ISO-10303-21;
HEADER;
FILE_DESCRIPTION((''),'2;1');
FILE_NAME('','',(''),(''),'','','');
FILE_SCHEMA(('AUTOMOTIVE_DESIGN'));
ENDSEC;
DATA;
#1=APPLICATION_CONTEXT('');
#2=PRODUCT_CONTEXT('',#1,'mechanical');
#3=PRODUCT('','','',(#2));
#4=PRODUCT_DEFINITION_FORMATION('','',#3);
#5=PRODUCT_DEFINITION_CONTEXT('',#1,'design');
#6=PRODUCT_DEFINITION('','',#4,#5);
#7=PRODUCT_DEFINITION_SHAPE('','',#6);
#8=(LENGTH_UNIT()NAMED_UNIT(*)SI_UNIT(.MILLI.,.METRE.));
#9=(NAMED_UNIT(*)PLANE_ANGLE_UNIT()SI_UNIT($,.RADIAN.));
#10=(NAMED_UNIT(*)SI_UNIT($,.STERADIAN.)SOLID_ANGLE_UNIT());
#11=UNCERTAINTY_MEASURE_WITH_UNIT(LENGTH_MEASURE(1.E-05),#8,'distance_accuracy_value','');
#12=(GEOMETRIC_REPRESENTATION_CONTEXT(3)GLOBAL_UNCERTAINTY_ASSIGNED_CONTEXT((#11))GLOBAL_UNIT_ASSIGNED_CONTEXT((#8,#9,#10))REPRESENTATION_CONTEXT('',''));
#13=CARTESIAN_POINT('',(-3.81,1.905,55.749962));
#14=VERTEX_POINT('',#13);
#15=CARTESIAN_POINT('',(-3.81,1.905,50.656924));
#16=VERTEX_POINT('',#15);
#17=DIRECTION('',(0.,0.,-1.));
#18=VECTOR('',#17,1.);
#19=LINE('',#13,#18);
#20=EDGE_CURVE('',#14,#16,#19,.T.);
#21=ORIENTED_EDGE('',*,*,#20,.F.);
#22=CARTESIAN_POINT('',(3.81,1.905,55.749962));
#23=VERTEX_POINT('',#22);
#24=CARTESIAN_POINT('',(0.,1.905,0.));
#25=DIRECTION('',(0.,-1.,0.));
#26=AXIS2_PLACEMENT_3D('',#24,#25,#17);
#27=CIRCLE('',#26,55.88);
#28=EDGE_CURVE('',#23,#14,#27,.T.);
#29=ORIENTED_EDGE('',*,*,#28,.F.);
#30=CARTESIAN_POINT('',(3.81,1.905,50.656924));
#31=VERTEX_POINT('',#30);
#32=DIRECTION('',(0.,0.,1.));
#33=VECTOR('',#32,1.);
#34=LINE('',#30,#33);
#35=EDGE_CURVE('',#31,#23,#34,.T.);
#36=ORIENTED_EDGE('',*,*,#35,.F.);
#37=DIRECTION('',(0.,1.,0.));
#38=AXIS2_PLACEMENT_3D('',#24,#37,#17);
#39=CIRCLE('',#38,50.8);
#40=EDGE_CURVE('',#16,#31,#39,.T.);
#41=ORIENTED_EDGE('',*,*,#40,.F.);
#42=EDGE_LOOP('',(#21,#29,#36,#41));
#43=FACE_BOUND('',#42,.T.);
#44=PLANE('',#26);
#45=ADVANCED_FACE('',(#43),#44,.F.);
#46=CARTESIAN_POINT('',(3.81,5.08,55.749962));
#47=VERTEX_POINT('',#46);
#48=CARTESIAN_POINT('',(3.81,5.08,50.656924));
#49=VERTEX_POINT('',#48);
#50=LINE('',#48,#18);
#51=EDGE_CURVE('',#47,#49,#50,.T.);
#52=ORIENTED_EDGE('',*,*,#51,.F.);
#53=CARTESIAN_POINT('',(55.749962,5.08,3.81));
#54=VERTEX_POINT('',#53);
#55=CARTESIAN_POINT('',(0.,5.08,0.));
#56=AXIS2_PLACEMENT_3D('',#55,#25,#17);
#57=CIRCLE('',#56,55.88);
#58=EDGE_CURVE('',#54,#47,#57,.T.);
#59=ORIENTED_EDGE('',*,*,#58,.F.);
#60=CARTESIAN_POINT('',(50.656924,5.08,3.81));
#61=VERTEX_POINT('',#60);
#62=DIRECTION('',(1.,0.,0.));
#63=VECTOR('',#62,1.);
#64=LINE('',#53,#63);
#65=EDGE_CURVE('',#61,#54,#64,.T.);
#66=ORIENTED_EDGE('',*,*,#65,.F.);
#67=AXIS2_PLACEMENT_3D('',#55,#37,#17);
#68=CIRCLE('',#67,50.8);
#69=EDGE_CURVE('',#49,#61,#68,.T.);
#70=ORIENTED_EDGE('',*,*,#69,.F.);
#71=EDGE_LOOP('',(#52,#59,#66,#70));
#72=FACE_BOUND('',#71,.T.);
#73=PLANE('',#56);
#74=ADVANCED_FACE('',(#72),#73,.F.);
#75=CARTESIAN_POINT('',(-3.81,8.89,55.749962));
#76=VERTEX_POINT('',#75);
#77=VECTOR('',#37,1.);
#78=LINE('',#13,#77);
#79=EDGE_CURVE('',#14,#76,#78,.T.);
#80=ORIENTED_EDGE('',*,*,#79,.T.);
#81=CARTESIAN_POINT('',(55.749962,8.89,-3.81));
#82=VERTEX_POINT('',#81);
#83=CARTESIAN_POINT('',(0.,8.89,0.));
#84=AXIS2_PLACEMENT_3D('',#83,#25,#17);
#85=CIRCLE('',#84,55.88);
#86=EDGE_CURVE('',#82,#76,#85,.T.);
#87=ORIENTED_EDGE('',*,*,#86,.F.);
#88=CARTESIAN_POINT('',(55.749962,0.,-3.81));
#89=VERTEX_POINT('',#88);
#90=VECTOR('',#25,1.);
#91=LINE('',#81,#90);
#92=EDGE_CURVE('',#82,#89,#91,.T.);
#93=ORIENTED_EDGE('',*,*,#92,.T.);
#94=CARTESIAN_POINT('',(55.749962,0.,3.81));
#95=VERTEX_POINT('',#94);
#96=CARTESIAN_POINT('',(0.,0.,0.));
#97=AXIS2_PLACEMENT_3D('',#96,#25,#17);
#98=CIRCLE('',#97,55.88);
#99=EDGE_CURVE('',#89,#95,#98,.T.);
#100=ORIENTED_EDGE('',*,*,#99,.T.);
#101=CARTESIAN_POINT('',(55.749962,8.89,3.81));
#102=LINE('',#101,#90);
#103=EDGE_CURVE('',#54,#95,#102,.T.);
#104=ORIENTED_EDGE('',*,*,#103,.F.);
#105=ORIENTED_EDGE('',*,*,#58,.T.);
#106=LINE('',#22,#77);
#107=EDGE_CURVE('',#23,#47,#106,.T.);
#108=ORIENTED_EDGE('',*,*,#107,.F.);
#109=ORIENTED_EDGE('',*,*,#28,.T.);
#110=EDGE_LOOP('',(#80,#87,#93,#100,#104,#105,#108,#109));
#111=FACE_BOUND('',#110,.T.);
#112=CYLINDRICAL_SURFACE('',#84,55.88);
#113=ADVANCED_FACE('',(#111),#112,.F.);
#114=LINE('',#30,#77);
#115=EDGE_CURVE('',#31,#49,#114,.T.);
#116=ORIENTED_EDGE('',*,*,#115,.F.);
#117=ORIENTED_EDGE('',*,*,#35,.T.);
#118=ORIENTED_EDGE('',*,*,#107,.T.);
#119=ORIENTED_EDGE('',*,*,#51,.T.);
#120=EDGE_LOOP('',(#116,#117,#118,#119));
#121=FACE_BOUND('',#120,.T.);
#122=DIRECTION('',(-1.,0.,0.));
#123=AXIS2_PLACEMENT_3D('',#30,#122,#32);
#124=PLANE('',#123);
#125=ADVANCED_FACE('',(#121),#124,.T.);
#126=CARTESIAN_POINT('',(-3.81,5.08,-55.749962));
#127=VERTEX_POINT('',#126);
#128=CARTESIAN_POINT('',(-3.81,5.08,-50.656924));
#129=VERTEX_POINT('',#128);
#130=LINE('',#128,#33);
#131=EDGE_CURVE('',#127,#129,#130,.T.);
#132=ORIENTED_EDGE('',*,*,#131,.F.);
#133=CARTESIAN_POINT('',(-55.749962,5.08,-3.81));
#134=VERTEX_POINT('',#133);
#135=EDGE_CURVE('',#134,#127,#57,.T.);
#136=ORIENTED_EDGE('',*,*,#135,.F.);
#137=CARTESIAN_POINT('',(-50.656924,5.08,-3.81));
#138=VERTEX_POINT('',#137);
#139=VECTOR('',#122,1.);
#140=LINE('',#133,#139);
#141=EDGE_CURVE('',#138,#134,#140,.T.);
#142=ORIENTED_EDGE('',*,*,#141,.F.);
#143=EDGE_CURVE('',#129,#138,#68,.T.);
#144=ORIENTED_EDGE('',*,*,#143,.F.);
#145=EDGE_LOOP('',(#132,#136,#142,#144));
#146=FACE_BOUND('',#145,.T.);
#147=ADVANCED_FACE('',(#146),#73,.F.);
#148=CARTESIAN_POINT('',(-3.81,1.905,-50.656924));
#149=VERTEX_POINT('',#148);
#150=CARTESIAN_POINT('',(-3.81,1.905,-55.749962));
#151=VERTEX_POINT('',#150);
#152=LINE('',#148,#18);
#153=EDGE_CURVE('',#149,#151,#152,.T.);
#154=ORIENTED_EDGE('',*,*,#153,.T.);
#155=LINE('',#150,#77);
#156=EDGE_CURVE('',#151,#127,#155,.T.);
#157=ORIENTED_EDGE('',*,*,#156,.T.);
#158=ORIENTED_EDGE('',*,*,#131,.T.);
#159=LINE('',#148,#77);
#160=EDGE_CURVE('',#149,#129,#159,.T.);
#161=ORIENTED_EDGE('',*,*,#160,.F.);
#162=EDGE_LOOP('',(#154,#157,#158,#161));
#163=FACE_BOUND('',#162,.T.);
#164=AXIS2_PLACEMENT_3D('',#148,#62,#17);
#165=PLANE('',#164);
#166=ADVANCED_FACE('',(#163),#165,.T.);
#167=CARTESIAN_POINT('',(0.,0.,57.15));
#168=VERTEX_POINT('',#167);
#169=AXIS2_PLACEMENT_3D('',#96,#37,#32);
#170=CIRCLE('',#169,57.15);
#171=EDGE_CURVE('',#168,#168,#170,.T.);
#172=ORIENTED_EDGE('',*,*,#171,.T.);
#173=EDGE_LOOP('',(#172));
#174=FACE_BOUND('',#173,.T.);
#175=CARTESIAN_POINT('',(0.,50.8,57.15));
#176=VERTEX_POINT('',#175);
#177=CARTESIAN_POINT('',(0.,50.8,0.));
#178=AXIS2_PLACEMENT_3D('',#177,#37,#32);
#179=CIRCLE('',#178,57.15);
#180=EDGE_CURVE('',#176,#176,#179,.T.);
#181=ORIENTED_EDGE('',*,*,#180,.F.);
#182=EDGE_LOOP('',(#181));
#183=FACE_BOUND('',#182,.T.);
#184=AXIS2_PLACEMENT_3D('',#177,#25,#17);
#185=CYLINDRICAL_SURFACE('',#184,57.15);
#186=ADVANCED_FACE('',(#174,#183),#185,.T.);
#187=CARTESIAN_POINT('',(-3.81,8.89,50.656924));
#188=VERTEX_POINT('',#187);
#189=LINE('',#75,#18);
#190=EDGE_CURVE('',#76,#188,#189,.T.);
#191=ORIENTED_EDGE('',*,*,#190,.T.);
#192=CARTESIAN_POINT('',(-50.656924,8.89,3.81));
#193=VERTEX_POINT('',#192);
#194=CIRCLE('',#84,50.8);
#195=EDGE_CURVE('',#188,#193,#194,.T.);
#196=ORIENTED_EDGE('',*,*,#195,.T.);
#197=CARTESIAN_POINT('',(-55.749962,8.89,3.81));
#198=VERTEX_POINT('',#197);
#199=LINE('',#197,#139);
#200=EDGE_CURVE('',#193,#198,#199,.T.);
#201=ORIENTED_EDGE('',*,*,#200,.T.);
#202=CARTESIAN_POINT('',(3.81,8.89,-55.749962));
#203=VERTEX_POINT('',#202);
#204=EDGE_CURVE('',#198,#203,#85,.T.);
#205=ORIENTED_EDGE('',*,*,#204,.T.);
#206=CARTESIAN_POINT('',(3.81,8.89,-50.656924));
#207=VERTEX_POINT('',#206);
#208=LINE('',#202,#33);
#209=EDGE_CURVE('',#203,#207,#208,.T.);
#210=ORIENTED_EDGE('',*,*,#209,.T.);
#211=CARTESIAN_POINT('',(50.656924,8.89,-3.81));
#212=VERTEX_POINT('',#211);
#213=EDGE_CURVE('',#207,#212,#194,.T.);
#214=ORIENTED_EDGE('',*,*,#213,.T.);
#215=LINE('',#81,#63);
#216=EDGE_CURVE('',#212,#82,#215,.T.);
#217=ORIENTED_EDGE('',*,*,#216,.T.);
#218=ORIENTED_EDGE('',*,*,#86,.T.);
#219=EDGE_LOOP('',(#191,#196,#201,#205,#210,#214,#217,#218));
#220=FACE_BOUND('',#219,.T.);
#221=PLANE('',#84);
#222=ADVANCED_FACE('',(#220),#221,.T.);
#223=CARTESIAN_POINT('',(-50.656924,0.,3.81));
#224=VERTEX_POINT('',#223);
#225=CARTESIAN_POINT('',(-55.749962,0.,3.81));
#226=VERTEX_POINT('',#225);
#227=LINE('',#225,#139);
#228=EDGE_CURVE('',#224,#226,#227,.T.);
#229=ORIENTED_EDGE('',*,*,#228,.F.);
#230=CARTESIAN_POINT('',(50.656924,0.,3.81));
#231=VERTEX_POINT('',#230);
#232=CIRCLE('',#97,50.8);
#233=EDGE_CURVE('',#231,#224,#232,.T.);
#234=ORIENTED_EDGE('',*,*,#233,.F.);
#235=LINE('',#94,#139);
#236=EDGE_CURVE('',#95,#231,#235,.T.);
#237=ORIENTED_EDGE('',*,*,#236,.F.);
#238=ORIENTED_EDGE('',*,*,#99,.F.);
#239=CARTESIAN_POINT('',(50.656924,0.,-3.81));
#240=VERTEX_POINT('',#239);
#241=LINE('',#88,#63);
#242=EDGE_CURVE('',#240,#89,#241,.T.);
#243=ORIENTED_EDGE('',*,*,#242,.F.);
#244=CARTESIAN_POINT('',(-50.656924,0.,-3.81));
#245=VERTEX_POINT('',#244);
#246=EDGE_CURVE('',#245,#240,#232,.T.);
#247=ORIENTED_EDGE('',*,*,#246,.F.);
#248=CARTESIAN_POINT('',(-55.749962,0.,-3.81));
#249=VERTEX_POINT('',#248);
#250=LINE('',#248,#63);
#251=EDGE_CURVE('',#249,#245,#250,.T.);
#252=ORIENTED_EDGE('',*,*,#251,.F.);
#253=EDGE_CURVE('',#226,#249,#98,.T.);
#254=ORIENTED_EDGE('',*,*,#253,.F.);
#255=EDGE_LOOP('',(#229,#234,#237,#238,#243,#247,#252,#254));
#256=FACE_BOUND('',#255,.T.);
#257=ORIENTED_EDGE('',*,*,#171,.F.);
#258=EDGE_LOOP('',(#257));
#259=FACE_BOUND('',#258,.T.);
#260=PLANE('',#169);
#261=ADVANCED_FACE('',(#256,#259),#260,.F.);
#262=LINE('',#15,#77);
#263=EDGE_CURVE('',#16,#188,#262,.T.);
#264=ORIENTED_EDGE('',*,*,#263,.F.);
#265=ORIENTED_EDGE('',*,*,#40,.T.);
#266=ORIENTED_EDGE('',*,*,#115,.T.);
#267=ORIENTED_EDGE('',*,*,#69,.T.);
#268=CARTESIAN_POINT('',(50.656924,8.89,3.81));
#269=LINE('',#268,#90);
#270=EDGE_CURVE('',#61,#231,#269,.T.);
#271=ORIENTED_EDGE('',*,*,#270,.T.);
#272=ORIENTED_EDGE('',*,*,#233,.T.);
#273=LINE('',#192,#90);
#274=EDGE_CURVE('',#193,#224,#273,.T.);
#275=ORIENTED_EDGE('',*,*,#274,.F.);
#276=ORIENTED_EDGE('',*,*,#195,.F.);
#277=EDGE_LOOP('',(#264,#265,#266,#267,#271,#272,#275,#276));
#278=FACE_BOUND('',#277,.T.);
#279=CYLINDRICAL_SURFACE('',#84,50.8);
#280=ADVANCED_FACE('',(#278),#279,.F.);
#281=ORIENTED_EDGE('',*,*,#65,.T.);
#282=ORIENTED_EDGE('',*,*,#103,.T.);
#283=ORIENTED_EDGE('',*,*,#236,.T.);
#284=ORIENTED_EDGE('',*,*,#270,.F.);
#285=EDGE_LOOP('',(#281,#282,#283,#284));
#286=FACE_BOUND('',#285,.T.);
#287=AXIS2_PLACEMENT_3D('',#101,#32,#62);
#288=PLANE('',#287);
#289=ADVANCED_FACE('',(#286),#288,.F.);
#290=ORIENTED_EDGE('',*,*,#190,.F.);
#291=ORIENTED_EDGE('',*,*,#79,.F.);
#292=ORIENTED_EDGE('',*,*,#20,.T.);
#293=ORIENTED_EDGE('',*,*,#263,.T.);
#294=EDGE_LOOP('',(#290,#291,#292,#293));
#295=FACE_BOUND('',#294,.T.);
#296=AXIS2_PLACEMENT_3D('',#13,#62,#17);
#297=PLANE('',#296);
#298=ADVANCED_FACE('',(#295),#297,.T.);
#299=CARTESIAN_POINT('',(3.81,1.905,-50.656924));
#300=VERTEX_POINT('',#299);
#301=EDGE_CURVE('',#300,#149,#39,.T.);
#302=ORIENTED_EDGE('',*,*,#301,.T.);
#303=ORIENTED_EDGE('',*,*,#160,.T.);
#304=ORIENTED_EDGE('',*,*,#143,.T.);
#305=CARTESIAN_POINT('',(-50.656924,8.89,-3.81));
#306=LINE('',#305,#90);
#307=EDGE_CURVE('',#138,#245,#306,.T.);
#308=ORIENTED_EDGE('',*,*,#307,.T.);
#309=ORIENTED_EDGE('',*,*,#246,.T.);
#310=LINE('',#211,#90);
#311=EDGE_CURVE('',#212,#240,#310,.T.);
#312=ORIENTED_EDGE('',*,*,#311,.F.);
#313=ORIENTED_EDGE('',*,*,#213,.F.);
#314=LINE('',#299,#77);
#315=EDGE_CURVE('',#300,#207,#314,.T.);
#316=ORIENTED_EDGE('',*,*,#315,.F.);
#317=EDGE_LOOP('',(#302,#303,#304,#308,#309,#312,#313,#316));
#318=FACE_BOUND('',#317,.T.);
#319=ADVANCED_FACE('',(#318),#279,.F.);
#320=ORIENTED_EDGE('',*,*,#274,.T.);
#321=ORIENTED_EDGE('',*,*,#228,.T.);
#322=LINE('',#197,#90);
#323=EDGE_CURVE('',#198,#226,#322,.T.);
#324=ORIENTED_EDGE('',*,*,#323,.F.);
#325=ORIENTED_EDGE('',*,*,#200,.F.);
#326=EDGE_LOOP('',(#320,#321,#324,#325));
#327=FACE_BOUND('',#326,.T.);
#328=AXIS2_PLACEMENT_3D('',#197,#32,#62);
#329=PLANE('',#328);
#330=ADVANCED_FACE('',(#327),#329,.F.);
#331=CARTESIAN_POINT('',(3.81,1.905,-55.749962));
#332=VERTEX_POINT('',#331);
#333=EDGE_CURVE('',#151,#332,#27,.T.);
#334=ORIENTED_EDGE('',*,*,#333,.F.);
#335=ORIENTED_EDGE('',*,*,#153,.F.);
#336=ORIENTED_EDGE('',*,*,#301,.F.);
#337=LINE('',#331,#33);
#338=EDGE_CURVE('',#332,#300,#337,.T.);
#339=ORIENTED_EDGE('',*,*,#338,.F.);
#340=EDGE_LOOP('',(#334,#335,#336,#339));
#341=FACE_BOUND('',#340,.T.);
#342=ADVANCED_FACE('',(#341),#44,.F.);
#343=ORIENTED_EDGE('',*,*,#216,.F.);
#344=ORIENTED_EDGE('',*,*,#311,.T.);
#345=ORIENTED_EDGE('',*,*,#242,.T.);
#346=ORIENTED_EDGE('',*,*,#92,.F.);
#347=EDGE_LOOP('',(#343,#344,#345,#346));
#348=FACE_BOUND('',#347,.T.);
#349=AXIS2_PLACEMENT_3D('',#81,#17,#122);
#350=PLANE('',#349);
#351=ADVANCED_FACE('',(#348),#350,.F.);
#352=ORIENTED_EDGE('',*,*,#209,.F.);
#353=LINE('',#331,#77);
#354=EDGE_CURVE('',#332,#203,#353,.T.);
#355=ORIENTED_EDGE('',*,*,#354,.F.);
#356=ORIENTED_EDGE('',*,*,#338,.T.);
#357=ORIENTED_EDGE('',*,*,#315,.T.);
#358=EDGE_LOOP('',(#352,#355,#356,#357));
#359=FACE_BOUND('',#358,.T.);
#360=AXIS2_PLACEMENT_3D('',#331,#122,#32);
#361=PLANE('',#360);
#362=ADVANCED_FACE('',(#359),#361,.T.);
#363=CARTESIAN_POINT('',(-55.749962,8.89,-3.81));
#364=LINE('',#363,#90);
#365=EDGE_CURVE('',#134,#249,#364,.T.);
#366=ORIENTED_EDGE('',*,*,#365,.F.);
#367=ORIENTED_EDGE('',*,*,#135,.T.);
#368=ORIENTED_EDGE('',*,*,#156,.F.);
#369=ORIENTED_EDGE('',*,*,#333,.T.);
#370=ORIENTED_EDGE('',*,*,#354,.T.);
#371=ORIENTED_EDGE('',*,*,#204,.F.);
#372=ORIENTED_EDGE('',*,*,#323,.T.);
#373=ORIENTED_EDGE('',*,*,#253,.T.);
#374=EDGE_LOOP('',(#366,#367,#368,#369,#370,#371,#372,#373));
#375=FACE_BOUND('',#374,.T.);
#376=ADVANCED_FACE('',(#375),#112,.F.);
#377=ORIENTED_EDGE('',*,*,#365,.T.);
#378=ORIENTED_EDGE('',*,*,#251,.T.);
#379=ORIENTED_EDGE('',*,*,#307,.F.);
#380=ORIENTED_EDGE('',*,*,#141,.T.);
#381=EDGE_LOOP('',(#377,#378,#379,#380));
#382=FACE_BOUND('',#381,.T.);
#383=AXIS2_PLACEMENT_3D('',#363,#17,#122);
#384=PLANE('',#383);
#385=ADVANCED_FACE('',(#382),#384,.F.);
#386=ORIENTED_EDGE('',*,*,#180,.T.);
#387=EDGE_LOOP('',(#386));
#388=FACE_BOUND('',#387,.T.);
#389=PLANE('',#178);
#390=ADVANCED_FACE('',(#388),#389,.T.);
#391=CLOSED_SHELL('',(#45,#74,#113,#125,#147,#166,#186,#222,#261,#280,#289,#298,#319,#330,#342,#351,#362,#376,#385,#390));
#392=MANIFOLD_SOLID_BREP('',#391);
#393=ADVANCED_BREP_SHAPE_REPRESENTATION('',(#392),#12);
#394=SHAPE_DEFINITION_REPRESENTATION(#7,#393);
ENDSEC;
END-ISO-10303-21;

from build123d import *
from build123d.topology import SkipClean

# Parameters (mm, degrees)
SKETCH1_R           = 57.15
BOSS_EXTRUDE1_DEPTH = 50.8
CUT_EXTRUDE1_DEPTH  = 8.89
CUT_EXTRUDE3_START  = 6.985
CUT_EXTRUDE3_DEPTH  = 6.985
CUT_EXTRUDE5_START  = 3.81
CUT_EXTRUDE5_DEPTH  = 3.81


with BuildPart() as part:
    # Sketch1 → Boss-Extrude1 (new body)
    with BuildSketch(Plane(origin=(0, 0, 0), x_dir=(1, 0, 0), z_dir=(0, 1, 0))):
        with Locations(Location((0, 0, 0), (0, 0, 270))):
            Circle(SKETCH1_R)
    extrude(amount=BOSS_EXTRUDE1_DEPTH)

    # Sketch2 → Cut-Extrude1 (cut)
    with BuildSketch(Plane.XZ):
        with BuildLine():
            Line((55.749962332, 3.81), (50.656923515, 3.81))
            ThreePointArc((50.656923515, 3.81), (0, 50.8), (-50.656923515, 3.81))
            Line((-50.656923515, 3.81), (-55.749962332, 3.81))
            ThreePointArc((-55.749962332, 3.81), (-55.88, 0), (-55.749962332, -3.81))
            Line((-55.749962332, -3.81), (-50.656923515, -3.81))
            ThreePointArc((-50.656923515, -3.81), (0, -50.8), (50.656923515, -3.81))
            Line((50.656923515, -3.81), (55.749962332, -3.81))
            ThreePointArc((55.749962332, -3.81), (55.88, 0), (55.749962332, 3.81))
        make_face()
    extrude(amount=-CUT_EXTRUDE1_DEPTH, mode=Mode.SUBTRACT)

    # Sketch3 → Cut-Extrude3 (cut)
    with BuildSketch(Plane.XZ.offset(-8.89).offset(CUT_EXTRUDE3_START)):
        with BuildLine():
            Line((3.81, -55.749962332), (3.81, -50.656923515))
            ThreePointArc((3.81, -50.656923515), (0, -50.8), (-3.81, -50.656923515))
            Line((-3.81, -50.656923515), (-3.81, -55.749962332))
            ThreePointArc((-3.81, -55.749962332), (0, -55.88), (3.81, -55.749962332))
        make_face()
        with BuildLine():
            Line((-3.81, 55.749962332), (-3.81, 50.656923515))
            ThreePointArc((-3.81, 50.656923515), (0, 50.8), (3.81, 50.656923515))
            Line((3.81, 50.656923515), (3.81, 55.749962332))
            ThreePointArc((3.81, 55.749962332), (0, 55.88), (-3.81, 55.749962332))
        make_face()
    extrude(amount=-CUT_EXTRUDE3_DEPTH, mode=Mode.SUBTRACT)

    # Sketch4 → Cut-Extrude5 (cut)
    with SkipClean():  # the faces are left unmerged after this step: merging them gives an invalid solid
        with BuildSketch(Plane.XZ.offset(-8.89).offset(CUT_EXTRUDE5_START)):
            with BuildLine():
                Line((55.749962332, 3.81), (50.656923515, 3.81))
                ThreePointArc((50.656923515, 3.81), (35.921024484, 35.921024484), (3.81, 50.656923515))
                Line((3.81, 50.656923515), (3.81, 55.749962332))
                ThreePointArc((3.81, 55.749962332), (39.513126933, 39.513126933), (55.749962332, 3.81))
            make_face()
            with BuildLine():
                Line((-55.749962332, -3.81), (-50.656923515, -3.81))
                ThreePointArc((-50.656923515, -3.81), (-35.921024484, -35.921024484), (-3.81, -50.656923515))
                Line((-3.81, -50.656923515), (-3.81, -55.749962332))
                ThreePointArc((-3.81, -55.749962332), (-39.513126933, -39.513126933), (-55.749962332, -3.81))
            make_face()
        extrude(amount=-CUT_EXTRUDE5_DEPTH, mode=Mode.SUBTRACT)


solid = part.part
